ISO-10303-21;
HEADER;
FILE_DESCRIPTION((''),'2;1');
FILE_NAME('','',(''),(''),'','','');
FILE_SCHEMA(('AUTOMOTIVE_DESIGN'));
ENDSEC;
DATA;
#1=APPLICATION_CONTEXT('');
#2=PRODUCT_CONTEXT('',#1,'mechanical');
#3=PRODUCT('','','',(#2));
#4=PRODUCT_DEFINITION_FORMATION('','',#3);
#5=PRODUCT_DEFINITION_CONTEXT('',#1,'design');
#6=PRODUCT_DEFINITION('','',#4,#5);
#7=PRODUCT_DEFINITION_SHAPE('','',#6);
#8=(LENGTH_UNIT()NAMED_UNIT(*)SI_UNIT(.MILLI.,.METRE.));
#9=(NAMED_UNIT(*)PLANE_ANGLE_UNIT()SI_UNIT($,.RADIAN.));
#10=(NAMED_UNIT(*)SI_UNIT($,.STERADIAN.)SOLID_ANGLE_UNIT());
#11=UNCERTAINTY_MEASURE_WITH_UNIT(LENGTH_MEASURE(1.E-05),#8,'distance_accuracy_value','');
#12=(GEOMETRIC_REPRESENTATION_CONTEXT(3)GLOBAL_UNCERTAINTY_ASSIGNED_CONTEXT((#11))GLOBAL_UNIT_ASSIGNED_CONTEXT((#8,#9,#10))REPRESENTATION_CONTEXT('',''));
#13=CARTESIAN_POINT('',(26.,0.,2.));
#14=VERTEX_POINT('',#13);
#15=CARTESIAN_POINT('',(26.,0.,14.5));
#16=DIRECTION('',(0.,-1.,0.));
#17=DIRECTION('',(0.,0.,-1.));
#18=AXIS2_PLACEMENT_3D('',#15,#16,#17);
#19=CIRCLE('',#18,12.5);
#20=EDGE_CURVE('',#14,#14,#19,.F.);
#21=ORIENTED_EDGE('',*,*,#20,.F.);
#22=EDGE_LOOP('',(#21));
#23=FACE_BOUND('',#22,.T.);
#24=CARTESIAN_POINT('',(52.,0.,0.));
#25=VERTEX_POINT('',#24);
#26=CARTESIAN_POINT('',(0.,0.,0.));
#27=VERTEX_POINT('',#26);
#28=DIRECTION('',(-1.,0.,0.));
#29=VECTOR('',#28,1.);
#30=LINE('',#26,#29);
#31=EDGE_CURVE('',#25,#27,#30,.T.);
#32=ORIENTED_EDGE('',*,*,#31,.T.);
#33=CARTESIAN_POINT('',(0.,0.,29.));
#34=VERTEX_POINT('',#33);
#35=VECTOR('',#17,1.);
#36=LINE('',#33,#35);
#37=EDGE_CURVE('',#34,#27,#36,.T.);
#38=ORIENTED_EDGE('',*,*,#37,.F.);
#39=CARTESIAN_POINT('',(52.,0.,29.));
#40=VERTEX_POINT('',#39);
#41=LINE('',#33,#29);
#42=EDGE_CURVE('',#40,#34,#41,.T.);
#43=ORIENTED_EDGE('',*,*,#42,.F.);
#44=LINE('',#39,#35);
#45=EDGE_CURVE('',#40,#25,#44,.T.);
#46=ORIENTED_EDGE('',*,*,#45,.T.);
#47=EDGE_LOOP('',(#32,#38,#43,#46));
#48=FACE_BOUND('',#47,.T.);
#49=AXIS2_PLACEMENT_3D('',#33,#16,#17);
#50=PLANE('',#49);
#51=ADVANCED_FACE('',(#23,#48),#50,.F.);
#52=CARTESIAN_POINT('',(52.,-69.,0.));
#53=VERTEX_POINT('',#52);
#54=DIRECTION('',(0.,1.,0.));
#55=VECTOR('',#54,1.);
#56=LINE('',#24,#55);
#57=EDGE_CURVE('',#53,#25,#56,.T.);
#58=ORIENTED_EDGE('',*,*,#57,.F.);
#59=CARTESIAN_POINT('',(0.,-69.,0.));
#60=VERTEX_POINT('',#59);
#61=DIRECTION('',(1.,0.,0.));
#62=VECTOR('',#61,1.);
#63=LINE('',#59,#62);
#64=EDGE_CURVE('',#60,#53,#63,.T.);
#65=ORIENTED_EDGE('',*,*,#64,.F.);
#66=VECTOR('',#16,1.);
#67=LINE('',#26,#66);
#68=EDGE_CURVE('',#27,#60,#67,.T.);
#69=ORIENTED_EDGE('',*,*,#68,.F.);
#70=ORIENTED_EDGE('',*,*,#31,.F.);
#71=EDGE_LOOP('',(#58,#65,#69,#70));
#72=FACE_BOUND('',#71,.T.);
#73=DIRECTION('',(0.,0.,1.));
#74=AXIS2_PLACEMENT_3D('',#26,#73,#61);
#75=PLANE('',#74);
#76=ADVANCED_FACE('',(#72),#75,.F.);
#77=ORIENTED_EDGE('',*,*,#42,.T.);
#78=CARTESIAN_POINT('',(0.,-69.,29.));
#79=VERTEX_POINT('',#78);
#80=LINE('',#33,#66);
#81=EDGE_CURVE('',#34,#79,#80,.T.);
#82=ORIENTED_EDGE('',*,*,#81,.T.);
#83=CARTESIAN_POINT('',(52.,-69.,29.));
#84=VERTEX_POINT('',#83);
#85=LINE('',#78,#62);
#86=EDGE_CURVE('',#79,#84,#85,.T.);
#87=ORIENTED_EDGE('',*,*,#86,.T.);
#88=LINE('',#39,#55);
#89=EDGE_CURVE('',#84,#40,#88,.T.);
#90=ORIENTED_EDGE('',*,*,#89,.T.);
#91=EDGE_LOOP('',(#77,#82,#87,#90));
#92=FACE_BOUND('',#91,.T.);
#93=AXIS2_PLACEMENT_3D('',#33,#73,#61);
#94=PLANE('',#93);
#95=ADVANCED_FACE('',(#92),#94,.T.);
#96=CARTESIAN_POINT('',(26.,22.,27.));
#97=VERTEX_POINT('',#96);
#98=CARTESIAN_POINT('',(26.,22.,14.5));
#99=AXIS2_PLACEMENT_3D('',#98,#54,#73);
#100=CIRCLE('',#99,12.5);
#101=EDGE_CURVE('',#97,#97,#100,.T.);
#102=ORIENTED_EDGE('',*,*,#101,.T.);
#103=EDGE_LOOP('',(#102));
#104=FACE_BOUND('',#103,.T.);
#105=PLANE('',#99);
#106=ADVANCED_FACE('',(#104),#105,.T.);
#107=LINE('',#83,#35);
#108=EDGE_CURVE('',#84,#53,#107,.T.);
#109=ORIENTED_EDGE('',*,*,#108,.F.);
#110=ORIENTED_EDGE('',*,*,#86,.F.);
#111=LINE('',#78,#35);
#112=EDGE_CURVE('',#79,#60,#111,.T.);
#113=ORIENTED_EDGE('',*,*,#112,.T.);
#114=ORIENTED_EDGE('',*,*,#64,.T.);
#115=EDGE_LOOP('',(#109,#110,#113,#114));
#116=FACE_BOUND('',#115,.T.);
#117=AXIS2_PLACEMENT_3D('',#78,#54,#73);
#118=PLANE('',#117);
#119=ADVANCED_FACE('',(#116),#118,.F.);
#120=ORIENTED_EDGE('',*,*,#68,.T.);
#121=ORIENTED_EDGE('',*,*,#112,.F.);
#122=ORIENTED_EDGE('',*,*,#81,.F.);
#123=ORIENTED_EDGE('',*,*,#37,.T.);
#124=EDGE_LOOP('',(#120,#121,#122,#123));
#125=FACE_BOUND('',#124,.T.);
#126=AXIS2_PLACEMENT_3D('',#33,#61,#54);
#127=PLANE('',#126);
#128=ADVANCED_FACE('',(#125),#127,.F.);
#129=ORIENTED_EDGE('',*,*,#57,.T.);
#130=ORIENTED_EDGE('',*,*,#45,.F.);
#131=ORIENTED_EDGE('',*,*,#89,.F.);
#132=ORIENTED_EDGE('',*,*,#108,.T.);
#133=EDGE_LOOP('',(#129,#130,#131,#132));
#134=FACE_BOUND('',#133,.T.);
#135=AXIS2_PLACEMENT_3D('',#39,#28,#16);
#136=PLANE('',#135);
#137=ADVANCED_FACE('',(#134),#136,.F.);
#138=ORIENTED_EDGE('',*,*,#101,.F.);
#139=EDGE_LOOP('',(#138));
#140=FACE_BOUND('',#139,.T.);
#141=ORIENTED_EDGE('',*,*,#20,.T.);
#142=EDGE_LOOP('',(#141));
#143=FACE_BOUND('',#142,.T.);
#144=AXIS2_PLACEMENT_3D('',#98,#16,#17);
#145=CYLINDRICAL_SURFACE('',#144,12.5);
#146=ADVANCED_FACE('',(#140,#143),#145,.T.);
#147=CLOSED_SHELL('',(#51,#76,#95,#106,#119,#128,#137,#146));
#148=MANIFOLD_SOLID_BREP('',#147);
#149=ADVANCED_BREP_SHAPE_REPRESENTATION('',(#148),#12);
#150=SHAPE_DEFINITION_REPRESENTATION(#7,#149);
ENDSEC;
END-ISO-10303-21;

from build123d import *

# Parameters (mm, degrees)
SKETCH1_W           = 52
SKETCH1_H           = 69
BOSS_EXTRUDE1_DEPTH = 29
SKETCH2_R           = 12.5
BOSS_EXTRUDE2_DEPTH = 22


with BuildPart() as part:
    # Sketch1 → Boss-Extrude1 (new body)
    with BuildSketch(Plane.XY):
        with Locations((26, -34.5)):
            Rectangle(SKETCH1_W, SKETCH1_H)
    extrude(amount=BOSS_EXTRUDE1_DEPTH)

    # Sketch2 → Boss-Extrude2 (add)
    with BuildSketch(Plane(origin=(0, 0, 0), x_dir=(1, 0, 0), z_dir=(0, 1, 0))):
        with Locations(Location((26, -14.5, 0), (0, 0, 90))):
            Circle(SKETCH2_R)
    extrude(amount=BOSS_EXTRUDE2_DEPTH)


solid = part.part
